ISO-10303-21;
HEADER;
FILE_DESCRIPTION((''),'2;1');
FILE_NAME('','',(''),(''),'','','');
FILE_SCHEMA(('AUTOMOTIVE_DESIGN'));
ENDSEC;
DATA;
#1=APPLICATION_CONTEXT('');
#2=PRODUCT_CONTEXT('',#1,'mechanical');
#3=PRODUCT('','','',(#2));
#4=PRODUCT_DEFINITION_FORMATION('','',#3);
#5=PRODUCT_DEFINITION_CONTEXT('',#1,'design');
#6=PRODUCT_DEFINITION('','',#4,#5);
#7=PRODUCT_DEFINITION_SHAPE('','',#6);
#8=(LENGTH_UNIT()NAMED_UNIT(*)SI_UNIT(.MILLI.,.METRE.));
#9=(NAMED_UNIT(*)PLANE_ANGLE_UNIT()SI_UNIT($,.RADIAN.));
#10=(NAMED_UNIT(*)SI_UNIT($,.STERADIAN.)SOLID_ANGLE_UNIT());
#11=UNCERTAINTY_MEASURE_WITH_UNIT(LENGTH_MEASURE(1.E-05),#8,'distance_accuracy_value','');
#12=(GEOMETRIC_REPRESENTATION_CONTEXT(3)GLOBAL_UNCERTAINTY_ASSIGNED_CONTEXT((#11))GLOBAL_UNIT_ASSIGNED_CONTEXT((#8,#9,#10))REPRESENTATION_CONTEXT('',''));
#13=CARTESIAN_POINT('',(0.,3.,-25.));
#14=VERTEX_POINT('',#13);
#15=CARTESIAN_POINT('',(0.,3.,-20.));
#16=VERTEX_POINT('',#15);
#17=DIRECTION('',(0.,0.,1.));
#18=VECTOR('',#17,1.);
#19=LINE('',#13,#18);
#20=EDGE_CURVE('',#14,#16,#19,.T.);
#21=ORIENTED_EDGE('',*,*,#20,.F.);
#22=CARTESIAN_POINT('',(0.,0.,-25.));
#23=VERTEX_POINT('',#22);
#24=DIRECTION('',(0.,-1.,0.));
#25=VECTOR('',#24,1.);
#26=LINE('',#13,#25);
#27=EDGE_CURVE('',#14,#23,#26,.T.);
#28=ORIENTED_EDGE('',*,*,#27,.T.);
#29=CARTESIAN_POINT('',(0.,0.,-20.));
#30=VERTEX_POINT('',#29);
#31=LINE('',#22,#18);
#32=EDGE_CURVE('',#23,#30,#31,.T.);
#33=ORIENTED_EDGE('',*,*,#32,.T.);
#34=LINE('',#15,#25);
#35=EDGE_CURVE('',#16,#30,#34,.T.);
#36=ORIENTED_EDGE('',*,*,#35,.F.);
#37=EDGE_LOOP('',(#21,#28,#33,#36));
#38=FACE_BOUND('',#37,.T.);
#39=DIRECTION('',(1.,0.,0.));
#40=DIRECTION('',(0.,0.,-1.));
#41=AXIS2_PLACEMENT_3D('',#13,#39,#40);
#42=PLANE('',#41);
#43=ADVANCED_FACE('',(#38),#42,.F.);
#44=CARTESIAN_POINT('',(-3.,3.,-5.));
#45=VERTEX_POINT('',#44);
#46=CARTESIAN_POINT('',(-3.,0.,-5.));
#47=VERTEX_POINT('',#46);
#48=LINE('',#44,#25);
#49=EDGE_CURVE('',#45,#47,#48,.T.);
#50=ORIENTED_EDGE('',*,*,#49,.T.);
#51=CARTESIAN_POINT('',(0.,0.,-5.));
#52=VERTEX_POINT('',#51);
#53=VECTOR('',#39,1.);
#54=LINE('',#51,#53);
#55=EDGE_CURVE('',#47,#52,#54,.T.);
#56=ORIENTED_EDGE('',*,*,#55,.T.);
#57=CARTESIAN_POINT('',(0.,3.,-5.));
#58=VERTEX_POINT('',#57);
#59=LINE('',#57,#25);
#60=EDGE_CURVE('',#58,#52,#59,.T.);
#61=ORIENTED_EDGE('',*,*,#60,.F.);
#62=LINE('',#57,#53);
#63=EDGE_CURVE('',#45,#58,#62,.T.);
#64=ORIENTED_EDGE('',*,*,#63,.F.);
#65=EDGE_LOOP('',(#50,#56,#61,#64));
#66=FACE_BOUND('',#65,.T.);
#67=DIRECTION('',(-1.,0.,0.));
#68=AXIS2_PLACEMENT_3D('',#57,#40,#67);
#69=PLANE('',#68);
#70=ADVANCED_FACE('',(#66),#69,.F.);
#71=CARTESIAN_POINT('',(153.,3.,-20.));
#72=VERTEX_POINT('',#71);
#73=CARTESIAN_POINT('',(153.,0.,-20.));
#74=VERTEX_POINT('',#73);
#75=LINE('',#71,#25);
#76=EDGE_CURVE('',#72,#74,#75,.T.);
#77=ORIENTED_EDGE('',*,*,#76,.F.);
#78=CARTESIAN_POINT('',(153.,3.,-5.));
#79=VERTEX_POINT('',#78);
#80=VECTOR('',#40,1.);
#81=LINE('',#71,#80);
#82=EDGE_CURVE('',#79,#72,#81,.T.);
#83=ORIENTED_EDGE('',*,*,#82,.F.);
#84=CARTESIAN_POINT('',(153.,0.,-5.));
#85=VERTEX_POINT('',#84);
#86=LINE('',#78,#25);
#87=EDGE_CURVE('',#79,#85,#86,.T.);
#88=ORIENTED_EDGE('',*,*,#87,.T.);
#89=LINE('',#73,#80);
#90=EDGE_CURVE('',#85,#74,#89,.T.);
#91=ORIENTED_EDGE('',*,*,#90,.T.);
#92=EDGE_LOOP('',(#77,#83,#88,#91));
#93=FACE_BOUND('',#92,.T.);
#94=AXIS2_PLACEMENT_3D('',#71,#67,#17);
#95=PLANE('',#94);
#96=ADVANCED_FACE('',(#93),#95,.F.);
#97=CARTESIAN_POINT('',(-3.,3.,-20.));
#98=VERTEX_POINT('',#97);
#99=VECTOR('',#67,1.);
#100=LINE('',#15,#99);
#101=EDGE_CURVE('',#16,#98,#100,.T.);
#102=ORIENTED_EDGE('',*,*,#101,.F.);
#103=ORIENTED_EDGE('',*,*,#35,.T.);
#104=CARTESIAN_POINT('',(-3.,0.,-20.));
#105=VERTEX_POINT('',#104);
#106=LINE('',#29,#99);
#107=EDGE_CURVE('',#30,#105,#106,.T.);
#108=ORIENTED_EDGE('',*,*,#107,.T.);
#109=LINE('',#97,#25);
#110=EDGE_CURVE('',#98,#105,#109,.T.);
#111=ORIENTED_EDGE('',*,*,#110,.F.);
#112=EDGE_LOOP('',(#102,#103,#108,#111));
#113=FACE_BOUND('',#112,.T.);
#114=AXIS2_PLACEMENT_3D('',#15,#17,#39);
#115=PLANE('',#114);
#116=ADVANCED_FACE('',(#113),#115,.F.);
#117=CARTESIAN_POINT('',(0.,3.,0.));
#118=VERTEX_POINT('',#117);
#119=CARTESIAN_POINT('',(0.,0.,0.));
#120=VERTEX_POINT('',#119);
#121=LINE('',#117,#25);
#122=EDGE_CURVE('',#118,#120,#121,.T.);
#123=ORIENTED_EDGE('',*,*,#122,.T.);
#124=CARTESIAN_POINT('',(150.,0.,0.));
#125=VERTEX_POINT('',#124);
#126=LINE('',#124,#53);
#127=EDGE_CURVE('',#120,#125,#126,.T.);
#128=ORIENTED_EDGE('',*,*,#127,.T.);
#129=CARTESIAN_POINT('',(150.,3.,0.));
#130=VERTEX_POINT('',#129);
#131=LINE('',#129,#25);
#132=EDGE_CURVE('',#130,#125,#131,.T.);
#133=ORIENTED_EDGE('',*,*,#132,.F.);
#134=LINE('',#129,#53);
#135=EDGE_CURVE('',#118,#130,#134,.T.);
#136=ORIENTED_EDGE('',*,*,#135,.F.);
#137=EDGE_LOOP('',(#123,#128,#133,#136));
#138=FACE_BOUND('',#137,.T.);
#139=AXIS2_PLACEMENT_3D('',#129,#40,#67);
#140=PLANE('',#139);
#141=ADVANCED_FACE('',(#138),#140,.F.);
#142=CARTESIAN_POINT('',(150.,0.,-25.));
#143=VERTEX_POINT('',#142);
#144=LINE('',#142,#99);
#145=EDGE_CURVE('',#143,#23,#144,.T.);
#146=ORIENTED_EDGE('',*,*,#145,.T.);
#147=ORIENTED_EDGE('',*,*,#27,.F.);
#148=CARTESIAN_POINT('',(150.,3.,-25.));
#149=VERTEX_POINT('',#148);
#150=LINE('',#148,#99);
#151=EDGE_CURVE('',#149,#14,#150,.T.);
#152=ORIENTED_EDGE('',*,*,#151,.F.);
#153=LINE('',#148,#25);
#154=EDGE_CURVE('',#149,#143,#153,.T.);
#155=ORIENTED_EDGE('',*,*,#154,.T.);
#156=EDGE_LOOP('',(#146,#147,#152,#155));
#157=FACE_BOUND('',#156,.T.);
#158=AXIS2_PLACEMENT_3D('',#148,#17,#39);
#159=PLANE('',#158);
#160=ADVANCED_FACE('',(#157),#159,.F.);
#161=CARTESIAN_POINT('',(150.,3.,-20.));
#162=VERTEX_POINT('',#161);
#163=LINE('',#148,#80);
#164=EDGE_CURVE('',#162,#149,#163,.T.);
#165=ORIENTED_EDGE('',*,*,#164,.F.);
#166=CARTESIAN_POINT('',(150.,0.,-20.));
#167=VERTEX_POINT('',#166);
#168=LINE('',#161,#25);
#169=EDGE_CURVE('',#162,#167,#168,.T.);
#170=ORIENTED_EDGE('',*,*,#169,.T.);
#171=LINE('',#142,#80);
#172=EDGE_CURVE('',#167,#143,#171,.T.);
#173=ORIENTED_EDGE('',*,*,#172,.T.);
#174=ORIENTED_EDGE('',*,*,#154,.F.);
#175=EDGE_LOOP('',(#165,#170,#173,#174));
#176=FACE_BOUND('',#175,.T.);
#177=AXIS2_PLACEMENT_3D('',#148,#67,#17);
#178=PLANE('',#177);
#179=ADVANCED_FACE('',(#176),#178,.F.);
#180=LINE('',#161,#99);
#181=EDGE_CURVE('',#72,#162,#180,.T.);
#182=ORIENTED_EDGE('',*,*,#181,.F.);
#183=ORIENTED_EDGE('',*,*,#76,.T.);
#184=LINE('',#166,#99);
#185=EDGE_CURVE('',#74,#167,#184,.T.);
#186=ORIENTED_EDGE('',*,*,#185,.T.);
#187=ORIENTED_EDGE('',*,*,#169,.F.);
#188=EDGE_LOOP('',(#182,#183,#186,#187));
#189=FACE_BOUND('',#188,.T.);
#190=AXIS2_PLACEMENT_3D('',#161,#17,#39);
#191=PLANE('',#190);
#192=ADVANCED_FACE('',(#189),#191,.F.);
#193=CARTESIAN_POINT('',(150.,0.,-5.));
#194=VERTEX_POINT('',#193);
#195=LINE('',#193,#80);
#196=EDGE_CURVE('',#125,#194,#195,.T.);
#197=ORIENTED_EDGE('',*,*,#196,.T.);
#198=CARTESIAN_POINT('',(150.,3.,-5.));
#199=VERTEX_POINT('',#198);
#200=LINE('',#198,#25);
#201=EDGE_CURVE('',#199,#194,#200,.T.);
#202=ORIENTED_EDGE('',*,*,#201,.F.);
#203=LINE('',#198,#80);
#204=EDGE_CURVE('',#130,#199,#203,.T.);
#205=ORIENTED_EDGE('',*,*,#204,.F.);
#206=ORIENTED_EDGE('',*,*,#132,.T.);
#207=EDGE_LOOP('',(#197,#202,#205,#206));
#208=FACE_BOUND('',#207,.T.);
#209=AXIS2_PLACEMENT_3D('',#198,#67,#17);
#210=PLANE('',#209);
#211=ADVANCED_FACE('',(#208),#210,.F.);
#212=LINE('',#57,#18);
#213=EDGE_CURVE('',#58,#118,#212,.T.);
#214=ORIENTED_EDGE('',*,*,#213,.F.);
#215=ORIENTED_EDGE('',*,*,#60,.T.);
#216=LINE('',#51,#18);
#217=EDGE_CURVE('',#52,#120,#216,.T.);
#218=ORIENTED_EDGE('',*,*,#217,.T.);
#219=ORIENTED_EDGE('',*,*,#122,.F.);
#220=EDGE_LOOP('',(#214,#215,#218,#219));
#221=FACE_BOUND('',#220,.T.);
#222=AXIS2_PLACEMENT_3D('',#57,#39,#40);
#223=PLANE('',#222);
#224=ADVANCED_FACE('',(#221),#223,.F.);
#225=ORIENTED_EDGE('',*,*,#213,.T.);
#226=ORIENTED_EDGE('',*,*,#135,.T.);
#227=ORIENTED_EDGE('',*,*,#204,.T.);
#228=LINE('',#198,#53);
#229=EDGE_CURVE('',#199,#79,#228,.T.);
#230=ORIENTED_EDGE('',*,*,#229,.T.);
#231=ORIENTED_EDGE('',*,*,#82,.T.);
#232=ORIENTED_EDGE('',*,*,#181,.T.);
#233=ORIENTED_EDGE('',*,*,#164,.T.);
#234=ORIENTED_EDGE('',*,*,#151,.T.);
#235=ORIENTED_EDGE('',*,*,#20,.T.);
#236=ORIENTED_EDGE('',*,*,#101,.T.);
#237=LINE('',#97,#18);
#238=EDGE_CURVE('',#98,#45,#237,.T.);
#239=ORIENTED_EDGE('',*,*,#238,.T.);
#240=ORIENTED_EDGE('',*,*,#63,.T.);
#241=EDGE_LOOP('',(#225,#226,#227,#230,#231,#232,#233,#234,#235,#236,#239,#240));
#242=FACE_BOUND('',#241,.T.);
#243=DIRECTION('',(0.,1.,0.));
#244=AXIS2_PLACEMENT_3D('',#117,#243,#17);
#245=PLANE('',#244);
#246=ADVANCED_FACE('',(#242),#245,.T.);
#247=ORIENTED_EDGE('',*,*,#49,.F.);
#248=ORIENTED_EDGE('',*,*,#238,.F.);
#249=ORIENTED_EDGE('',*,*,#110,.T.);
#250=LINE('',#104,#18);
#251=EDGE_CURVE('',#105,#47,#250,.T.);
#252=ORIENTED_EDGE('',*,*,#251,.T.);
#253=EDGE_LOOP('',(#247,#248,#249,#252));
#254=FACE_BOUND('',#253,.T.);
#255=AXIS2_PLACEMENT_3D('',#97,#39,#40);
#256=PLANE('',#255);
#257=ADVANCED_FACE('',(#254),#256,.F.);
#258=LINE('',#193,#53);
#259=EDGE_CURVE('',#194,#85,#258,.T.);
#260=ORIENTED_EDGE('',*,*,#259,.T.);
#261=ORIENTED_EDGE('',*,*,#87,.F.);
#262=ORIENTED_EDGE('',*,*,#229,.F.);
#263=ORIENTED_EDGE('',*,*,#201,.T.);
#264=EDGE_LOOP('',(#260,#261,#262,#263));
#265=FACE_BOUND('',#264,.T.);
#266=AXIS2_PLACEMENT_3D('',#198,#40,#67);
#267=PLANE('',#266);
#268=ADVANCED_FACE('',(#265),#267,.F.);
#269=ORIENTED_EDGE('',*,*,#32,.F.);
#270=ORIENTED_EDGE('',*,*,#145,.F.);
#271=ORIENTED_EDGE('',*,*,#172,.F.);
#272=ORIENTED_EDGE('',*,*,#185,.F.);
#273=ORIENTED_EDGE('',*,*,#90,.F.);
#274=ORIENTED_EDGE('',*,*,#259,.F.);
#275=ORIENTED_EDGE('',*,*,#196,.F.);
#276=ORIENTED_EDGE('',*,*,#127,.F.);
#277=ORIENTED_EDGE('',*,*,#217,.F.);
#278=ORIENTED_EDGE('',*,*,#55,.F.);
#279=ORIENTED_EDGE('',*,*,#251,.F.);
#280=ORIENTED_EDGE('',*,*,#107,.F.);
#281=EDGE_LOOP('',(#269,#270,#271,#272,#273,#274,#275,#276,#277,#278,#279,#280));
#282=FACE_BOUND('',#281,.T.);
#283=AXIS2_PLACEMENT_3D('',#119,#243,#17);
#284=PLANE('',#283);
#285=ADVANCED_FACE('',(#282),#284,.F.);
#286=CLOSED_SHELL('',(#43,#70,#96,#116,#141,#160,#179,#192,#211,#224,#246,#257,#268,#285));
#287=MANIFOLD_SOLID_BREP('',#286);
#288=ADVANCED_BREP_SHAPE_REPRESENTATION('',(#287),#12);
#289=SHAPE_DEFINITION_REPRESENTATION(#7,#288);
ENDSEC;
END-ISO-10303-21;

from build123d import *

# Parameters (mm, degrees)
SALIENTE_EXTRUIR1_DEPTH = 3


with BuildPart() as part:
    # Croquis1 → Saliente-Extruir1 (new body)
    with BuildSketch(Plane(origin=(0, 0, 0), x_dir=(1, 0, 0), z_dir=(0, 1, 0))):
        Polygon((0, 5), (0, 0), (150, 0), (150, 5), (153, 5), (153, 20), (150, 20), (150, 25), (0, 25), (0, 20), (-3, 20), (-3, 5), align=None)
    extrude(amount=SALIENTE_EXTRUIR1_DEPTH)


solid = part.part
